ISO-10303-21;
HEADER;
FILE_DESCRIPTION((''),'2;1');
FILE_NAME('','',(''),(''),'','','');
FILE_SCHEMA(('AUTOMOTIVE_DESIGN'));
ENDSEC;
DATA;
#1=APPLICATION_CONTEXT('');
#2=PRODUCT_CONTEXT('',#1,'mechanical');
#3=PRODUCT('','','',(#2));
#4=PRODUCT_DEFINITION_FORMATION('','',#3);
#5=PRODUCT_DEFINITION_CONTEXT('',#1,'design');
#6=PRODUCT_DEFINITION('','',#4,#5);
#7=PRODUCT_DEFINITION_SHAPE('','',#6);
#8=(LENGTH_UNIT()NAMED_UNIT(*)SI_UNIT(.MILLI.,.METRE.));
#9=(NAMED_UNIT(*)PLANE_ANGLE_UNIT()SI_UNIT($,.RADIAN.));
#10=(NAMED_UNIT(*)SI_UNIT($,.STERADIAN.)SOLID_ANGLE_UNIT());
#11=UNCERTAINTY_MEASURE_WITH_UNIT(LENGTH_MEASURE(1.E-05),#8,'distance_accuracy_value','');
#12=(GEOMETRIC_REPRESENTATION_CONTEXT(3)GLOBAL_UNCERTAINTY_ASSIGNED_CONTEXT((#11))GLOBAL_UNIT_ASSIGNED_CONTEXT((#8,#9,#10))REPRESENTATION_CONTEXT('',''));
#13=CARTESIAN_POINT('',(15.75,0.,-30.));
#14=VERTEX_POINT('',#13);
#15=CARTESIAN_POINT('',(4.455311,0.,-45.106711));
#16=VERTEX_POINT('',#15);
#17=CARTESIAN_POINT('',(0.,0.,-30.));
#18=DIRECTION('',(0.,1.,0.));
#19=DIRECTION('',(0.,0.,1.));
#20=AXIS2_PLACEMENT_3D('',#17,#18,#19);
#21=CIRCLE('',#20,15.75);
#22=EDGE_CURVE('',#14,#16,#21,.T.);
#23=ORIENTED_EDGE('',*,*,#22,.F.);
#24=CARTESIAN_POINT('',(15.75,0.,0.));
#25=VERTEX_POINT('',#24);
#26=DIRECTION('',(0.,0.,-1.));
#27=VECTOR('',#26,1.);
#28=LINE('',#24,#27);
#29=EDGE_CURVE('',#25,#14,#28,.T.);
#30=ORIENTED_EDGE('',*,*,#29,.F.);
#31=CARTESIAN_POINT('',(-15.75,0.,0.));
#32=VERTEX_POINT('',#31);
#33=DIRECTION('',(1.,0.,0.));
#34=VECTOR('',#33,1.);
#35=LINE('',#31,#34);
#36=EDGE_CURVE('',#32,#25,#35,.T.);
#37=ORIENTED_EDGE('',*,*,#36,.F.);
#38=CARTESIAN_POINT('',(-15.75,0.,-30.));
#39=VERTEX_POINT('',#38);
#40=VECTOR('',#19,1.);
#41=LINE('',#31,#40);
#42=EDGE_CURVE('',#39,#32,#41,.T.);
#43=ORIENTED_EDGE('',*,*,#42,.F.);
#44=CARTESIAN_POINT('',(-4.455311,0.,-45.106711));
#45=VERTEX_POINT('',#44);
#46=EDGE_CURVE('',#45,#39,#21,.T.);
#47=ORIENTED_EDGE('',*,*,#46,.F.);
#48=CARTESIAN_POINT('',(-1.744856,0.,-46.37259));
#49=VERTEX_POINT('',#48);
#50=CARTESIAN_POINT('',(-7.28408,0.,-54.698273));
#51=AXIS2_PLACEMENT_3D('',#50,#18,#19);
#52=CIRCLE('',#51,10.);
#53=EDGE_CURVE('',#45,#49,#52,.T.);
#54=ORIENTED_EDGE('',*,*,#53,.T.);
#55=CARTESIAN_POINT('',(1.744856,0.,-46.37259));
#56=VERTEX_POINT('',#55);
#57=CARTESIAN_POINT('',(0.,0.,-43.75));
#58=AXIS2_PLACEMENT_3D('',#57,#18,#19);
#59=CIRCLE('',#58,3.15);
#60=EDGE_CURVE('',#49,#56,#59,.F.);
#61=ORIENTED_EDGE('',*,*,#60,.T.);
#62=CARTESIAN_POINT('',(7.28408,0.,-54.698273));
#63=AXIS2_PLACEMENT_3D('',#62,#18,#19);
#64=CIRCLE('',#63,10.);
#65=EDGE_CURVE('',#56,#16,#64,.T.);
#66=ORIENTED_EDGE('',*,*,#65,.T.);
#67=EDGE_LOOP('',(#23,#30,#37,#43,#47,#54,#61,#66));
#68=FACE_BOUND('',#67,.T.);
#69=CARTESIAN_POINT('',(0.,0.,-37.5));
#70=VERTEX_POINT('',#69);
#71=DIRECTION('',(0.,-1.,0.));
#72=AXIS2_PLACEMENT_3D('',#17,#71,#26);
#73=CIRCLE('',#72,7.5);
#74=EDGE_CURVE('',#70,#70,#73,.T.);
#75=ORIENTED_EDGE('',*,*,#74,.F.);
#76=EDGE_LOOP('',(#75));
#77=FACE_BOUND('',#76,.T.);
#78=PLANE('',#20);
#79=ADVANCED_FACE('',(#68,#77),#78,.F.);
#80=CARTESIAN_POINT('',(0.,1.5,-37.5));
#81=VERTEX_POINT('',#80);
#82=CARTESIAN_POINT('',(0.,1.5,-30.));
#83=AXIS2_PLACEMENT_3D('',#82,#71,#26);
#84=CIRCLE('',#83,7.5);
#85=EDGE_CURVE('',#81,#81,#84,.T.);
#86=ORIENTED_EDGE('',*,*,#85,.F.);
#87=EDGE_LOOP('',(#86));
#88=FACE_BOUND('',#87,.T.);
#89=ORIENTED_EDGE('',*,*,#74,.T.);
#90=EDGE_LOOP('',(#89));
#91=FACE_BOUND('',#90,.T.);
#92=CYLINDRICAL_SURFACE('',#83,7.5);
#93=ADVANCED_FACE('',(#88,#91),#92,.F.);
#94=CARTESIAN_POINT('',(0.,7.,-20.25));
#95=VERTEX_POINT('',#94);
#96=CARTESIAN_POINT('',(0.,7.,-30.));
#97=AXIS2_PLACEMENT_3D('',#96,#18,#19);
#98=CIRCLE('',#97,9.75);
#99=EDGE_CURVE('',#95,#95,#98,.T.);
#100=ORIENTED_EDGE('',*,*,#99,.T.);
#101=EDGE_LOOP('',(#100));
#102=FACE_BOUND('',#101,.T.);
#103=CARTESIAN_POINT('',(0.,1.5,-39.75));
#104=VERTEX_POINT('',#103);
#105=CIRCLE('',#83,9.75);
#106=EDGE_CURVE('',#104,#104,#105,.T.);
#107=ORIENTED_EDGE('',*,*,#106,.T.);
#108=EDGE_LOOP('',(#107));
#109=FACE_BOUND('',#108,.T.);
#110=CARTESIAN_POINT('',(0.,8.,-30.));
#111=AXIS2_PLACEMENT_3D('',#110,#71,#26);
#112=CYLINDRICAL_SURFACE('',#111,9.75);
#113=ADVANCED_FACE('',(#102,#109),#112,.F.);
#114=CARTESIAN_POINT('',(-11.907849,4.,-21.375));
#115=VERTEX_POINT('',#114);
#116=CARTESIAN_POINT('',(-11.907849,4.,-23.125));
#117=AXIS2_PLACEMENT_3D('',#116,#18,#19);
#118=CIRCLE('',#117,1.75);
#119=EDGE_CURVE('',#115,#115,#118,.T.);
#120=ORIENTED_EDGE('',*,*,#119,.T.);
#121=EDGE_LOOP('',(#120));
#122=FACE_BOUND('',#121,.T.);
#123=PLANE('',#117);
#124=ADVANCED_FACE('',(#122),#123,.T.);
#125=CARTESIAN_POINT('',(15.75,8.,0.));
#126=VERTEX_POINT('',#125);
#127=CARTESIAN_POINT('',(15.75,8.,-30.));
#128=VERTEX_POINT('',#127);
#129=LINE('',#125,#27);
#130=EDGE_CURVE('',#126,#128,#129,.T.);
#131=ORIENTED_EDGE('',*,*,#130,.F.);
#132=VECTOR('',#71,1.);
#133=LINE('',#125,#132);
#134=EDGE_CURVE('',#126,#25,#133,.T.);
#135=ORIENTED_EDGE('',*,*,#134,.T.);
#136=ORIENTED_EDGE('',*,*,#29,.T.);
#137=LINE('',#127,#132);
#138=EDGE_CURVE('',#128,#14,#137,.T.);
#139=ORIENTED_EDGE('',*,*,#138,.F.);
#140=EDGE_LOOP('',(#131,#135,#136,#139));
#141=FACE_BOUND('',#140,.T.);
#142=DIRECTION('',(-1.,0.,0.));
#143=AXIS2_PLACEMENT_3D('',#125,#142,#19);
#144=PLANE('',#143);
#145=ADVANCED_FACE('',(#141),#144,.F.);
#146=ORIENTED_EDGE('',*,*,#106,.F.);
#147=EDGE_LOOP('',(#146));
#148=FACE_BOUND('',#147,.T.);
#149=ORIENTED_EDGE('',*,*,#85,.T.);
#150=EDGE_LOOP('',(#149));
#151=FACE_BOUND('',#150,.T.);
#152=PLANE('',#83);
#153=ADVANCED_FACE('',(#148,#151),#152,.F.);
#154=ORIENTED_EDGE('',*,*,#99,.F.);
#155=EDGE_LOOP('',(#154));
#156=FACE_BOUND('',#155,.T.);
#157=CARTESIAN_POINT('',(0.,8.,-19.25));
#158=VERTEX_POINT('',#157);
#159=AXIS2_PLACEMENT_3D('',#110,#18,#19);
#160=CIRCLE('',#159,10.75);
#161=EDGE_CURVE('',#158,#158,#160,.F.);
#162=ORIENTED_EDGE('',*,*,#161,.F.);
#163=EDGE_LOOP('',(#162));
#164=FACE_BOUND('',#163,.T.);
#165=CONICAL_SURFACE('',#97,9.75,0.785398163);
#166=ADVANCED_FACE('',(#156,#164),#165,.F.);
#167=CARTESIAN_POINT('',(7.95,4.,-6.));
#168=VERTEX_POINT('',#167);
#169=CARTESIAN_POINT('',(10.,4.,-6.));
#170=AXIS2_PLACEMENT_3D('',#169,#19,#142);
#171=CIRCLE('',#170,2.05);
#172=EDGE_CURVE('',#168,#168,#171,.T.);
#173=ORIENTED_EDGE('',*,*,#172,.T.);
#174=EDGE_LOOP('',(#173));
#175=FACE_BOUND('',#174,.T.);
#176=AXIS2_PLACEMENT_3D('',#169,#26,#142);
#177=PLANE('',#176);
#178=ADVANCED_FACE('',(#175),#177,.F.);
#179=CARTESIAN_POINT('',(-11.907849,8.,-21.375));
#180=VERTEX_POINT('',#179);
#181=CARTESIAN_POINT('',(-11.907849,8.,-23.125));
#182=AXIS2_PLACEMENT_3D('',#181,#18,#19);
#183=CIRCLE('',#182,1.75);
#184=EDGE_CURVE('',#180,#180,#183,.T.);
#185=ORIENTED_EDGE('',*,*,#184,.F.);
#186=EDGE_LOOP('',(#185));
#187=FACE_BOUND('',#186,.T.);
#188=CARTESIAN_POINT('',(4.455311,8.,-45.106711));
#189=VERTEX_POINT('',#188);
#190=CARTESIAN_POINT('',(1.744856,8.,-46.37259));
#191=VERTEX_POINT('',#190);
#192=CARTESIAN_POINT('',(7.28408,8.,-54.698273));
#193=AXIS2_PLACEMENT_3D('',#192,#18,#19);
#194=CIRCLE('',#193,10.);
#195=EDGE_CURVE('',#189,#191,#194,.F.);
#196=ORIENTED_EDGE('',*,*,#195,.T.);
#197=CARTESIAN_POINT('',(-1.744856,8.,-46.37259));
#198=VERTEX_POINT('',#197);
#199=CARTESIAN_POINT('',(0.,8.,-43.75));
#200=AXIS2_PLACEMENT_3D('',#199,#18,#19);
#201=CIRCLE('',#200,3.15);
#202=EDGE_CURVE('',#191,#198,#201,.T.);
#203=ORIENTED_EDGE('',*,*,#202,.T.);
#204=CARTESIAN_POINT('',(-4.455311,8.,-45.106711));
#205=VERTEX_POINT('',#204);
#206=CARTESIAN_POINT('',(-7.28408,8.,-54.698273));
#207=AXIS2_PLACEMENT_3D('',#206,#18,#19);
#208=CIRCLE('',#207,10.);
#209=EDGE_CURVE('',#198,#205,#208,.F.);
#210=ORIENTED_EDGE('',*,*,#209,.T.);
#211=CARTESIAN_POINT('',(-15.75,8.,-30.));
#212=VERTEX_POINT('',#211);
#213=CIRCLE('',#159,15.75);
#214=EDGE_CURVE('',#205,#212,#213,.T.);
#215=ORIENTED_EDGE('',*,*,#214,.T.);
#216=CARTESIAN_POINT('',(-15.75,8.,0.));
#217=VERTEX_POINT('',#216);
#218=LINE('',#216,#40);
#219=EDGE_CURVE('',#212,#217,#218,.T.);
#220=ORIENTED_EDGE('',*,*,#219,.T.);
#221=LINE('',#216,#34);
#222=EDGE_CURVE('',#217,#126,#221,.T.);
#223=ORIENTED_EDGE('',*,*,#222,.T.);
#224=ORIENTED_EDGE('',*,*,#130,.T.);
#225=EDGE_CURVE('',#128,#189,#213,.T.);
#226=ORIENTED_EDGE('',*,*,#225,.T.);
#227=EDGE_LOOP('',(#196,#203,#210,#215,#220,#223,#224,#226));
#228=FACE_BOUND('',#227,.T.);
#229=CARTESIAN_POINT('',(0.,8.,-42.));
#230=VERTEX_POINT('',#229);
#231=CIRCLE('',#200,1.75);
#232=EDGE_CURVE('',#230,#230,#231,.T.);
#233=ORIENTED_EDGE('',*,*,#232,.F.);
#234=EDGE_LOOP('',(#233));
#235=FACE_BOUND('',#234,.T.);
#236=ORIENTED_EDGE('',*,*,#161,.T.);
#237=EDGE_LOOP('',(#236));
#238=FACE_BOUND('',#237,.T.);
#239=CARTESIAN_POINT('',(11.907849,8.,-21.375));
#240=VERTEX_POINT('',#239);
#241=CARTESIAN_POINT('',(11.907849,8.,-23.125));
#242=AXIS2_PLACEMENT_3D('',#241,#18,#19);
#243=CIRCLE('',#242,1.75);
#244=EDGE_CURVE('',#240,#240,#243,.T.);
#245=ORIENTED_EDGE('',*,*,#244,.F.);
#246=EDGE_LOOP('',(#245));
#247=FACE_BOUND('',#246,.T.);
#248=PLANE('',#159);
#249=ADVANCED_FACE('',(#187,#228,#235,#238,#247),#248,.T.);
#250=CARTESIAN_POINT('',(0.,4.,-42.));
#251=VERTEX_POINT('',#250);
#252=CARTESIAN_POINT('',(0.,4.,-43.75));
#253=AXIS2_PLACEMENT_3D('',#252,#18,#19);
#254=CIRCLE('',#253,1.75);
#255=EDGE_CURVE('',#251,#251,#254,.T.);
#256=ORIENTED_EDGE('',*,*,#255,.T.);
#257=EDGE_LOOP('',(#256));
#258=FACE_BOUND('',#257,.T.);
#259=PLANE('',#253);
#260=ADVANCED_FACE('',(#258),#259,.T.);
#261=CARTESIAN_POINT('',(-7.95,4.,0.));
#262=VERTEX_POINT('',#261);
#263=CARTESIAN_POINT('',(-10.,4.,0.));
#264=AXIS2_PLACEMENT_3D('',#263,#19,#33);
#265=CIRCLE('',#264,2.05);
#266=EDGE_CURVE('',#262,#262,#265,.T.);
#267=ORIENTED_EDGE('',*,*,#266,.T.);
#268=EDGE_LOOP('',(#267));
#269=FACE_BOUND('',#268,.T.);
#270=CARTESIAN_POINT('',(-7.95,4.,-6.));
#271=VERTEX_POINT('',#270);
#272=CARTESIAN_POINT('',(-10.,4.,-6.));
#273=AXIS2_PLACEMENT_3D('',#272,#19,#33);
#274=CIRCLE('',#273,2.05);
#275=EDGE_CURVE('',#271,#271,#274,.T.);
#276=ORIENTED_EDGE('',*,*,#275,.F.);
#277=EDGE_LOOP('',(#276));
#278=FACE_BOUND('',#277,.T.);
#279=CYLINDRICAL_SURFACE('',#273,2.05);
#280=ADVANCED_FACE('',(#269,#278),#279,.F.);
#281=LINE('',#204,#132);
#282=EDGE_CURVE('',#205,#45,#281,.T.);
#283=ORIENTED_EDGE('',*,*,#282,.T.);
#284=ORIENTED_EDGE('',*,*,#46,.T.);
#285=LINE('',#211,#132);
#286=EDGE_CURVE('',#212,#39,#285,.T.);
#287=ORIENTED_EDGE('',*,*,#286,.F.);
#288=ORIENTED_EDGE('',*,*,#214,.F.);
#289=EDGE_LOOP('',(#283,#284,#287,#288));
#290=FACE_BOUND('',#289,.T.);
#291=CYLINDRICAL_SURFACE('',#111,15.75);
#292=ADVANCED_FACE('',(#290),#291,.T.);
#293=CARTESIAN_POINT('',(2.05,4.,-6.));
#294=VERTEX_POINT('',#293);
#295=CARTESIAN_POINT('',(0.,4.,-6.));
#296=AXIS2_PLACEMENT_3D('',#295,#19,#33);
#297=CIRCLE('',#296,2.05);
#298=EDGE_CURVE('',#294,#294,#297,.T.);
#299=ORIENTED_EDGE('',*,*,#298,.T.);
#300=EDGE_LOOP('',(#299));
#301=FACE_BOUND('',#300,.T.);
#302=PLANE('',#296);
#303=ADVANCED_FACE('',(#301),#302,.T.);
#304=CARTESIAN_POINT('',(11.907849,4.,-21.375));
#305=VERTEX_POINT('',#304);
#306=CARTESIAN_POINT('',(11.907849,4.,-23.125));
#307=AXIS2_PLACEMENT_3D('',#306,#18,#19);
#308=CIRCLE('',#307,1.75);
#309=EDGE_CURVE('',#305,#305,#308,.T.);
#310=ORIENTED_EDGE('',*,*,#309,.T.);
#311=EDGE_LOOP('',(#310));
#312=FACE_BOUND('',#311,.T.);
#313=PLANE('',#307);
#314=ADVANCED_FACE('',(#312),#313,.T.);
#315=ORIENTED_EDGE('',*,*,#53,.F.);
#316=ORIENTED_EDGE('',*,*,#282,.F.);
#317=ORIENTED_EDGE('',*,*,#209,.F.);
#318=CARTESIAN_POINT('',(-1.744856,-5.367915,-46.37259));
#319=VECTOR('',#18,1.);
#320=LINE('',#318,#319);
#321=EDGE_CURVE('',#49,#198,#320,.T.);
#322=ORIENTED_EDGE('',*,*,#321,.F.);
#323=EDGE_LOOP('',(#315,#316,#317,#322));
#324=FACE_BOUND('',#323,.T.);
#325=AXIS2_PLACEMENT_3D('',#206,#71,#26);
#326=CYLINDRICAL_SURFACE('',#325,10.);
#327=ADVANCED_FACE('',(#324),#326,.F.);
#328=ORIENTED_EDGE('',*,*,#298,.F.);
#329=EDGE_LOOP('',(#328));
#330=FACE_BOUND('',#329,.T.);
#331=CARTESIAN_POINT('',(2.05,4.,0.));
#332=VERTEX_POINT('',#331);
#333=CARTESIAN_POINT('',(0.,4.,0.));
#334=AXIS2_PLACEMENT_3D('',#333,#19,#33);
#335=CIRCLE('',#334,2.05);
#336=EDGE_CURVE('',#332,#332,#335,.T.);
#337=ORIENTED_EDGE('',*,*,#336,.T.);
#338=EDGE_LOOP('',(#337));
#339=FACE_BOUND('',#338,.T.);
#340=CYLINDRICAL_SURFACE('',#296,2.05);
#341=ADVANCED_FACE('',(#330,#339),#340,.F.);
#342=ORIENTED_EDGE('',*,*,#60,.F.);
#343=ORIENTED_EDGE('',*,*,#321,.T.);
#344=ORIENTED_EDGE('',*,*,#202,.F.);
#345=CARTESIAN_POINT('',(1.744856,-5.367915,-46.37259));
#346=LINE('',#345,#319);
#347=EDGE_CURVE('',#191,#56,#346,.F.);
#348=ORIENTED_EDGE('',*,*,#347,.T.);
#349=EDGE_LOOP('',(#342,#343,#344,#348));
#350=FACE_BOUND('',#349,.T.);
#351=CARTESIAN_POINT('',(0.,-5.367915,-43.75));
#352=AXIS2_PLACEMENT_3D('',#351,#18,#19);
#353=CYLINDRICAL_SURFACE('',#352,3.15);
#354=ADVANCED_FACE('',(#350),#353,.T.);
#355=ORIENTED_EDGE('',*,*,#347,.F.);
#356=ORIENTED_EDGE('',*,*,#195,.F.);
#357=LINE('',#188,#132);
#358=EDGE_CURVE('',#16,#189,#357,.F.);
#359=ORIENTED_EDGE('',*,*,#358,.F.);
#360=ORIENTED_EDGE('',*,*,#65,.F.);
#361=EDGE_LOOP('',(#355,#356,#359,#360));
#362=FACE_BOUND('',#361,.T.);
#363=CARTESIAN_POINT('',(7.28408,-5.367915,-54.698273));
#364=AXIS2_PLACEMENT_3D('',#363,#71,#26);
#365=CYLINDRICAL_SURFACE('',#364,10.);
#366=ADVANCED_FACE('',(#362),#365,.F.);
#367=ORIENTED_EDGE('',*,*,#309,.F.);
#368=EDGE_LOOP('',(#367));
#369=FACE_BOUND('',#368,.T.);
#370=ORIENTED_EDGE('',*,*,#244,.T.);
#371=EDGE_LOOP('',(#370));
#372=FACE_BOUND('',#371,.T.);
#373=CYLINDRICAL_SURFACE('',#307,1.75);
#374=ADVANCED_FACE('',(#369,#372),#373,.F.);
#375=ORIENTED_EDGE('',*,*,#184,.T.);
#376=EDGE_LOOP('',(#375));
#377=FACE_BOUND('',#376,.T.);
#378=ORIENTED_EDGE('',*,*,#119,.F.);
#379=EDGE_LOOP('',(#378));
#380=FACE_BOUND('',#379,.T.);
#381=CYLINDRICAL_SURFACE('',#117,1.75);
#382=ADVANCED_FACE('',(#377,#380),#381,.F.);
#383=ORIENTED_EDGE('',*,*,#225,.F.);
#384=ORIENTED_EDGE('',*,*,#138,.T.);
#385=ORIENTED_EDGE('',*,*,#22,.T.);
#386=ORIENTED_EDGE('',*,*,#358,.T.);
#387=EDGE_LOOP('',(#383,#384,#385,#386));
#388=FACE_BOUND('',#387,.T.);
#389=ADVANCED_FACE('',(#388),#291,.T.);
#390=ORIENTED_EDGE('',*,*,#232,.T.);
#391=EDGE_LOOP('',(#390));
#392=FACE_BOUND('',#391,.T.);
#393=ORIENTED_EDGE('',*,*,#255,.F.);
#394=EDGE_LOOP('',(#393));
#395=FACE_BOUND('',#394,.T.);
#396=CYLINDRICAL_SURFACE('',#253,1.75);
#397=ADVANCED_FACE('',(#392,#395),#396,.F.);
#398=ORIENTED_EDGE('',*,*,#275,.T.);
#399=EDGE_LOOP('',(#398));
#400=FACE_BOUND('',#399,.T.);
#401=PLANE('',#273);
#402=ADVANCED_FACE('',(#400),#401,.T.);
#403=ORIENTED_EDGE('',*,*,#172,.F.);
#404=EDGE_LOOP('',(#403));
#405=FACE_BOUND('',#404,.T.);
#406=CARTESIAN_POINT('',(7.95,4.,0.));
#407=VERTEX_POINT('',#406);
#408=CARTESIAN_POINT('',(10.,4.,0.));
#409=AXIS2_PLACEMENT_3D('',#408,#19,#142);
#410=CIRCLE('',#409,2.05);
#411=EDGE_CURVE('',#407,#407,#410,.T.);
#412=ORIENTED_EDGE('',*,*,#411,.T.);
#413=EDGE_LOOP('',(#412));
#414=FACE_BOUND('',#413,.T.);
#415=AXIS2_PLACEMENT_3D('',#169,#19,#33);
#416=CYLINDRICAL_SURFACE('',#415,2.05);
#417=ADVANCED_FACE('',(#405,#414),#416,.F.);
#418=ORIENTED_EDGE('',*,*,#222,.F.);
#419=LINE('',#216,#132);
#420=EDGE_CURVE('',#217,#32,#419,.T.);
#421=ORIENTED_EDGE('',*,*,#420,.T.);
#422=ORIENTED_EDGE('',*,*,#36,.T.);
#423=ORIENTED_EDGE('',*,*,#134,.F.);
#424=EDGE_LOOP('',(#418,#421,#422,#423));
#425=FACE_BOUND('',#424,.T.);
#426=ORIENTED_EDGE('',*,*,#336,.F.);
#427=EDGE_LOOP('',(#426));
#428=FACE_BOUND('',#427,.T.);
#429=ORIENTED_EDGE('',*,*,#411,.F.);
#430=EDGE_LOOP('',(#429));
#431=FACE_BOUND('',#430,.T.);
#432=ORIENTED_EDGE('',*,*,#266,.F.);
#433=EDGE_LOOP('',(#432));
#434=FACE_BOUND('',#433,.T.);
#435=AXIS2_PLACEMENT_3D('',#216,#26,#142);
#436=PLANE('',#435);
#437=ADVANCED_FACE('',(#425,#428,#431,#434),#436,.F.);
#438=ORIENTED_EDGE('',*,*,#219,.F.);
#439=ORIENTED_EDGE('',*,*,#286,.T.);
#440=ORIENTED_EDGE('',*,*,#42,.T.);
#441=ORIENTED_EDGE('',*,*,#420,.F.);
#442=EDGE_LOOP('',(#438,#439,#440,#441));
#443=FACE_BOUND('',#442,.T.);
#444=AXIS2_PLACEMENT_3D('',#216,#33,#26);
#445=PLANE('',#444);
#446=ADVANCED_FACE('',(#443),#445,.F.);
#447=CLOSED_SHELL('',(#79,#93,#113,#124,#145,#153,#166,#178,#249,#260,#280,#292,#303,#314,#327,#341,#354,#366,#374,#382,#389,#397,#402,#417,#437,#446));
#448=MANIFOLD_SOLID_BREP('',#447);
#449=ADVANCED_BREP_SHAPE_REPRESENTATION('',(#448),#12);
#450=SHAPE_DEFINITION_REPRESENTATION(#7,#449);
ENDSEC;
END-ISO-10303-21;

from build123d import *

# Parameters (mm, degrees)
SKETCH_1_R          = 9.75
EXTRUDE_1_DEPTH     = 8
SKETCH_2_R          = 2.05
CUT_EXTRUDE_1_DEPTH = 6
SKETCH_4_R          = 9.75
SKETCH_4_R_2        = 7.5
EXTRUDE_2_DEPTH     = 1.5
EXTRUDE_START       = -8
EXTRUDE_3_DEPTH     = 8
SKETCH_6_R          = 1.75
CUT_EXTRUDE_2_DEPTH = 4
FILLET_1_R          = 10
CHAMFER_1_SIZE      = 1


with BuildPart() as part:
    # Эскиз1 → Бобышка-Вытянуть1 (new body)
    with BuildSketch(Plane(origin=(0, 0, 0), x_dir=(1, 0, 0), z_dir=(0, 1, 0))):
        with BuildLine():
            Line((-15.75, 0), (15.75, 0))
            Line((15.75, 0), (15.75, 30))
            ThreePointArc((15.75, 30), (0, 45.75), (-15.75, 30))
            Line((-15.75, 30), (-15.75, 0))
        make_face()
        with Locations(Location((0, 30, 0), (0, 0, 270))):
            Circle(SKETCH_1_R, mode=Mode.SUBTRACT)
    extrude(amount=EXTRUDE_1_DEPTH)

    # Эскиз2 → Вырез-Вытянуть1 (cut)
    with BuildSketch(Plane.XY):
        with Locations((0, 4)):
            Circle(SKETCH_2_R)
        with Locations((-10, 4)):
            Circle(SKETCH_2_R)
        with Locations(Location((10, 4, 0), (0, 0, 180))):
            Circle(SKETCH_2_R)
    extrude(amount=-CUT_EXTRUDE_1_DEPTH, mode=Mode.SUBTRACT)

    # Эскиз4 → Бобышка-Вытянуть2 (add)
    with BuildSketch(Plane.XZ):
        with Locations(Location((0, -30, 0), (0, 0, 270))):
            Circle(SKETCH_4_R)
        with Locations(Location((0, -30, 0), (0, 0, 270))):
            Circle(SKETCH_4_R_2, mode=Mode.SUBTRACT)
    extrude(amount=-EXTRUDE_2_DEPTH)

    # Эскиз5 → Бобышка-Вытянуть3 (add)
    with BuildSketch(Plane(origin=(0, 8, 0), x_dir=(1, 0, 0), z_dir=(0, 1, 0)).offset(EXTRUDE_START)):
        with BuildLine():
            ThreePointArc((2.595683542, 45.534636364), (0, 46.9), (-2.595683542, 45.534636364))
            ThreePointArc((-2.595683542, 45.534636364), (0, 45.75), (2.595683542, 45.534636364))
        make_face()
    extrude(amount=EXTRUDE_3_DEPTH)

    # Эскиз6 → Вырез-Вытянуть2 (cut)
    with BuildSketch(Plane(origin=(0, 8, 0), x_dir=(1, 0, 0), z_dir=(0, 1, 0))):
        with Locations(Location((0, 43.75, 0), (0, 0, 270))):
            Circle(SKETCH_6_R)
        with Locations(Location((11.907849302, 23.125, 0), (0, 0, 270))):
            Circle(SKETCH_6_R)
        with Locations(Location((-11.907849302, 23.125, 0), (0, 0, 270))):
            Circle(SKETCH_6_R)
    extrude(amount=-CUT_EXTRUDE_2_DEPTH, mode=Mode.SUBTRACT)

    # Скругление1
    fillet_1_edges = [part.edges().sort_by_distance(p)[0] for p in [
        (2.595683542, 4, -45.534636364),
        (-2.595683542, 4, -45.534636364),
    ]]
    fillet(fillet_1_edges, radius=FILLET_1_R)

    # Фаска1
    chamfer_1_edges = [part.edges().sort_by_distance(p)[0] for p in [
        (0, 8, -39.75),
    ]]
    chamfer(chamfer_1_edges, length=CHAMFER_1_SIZE)


solid = part.part
